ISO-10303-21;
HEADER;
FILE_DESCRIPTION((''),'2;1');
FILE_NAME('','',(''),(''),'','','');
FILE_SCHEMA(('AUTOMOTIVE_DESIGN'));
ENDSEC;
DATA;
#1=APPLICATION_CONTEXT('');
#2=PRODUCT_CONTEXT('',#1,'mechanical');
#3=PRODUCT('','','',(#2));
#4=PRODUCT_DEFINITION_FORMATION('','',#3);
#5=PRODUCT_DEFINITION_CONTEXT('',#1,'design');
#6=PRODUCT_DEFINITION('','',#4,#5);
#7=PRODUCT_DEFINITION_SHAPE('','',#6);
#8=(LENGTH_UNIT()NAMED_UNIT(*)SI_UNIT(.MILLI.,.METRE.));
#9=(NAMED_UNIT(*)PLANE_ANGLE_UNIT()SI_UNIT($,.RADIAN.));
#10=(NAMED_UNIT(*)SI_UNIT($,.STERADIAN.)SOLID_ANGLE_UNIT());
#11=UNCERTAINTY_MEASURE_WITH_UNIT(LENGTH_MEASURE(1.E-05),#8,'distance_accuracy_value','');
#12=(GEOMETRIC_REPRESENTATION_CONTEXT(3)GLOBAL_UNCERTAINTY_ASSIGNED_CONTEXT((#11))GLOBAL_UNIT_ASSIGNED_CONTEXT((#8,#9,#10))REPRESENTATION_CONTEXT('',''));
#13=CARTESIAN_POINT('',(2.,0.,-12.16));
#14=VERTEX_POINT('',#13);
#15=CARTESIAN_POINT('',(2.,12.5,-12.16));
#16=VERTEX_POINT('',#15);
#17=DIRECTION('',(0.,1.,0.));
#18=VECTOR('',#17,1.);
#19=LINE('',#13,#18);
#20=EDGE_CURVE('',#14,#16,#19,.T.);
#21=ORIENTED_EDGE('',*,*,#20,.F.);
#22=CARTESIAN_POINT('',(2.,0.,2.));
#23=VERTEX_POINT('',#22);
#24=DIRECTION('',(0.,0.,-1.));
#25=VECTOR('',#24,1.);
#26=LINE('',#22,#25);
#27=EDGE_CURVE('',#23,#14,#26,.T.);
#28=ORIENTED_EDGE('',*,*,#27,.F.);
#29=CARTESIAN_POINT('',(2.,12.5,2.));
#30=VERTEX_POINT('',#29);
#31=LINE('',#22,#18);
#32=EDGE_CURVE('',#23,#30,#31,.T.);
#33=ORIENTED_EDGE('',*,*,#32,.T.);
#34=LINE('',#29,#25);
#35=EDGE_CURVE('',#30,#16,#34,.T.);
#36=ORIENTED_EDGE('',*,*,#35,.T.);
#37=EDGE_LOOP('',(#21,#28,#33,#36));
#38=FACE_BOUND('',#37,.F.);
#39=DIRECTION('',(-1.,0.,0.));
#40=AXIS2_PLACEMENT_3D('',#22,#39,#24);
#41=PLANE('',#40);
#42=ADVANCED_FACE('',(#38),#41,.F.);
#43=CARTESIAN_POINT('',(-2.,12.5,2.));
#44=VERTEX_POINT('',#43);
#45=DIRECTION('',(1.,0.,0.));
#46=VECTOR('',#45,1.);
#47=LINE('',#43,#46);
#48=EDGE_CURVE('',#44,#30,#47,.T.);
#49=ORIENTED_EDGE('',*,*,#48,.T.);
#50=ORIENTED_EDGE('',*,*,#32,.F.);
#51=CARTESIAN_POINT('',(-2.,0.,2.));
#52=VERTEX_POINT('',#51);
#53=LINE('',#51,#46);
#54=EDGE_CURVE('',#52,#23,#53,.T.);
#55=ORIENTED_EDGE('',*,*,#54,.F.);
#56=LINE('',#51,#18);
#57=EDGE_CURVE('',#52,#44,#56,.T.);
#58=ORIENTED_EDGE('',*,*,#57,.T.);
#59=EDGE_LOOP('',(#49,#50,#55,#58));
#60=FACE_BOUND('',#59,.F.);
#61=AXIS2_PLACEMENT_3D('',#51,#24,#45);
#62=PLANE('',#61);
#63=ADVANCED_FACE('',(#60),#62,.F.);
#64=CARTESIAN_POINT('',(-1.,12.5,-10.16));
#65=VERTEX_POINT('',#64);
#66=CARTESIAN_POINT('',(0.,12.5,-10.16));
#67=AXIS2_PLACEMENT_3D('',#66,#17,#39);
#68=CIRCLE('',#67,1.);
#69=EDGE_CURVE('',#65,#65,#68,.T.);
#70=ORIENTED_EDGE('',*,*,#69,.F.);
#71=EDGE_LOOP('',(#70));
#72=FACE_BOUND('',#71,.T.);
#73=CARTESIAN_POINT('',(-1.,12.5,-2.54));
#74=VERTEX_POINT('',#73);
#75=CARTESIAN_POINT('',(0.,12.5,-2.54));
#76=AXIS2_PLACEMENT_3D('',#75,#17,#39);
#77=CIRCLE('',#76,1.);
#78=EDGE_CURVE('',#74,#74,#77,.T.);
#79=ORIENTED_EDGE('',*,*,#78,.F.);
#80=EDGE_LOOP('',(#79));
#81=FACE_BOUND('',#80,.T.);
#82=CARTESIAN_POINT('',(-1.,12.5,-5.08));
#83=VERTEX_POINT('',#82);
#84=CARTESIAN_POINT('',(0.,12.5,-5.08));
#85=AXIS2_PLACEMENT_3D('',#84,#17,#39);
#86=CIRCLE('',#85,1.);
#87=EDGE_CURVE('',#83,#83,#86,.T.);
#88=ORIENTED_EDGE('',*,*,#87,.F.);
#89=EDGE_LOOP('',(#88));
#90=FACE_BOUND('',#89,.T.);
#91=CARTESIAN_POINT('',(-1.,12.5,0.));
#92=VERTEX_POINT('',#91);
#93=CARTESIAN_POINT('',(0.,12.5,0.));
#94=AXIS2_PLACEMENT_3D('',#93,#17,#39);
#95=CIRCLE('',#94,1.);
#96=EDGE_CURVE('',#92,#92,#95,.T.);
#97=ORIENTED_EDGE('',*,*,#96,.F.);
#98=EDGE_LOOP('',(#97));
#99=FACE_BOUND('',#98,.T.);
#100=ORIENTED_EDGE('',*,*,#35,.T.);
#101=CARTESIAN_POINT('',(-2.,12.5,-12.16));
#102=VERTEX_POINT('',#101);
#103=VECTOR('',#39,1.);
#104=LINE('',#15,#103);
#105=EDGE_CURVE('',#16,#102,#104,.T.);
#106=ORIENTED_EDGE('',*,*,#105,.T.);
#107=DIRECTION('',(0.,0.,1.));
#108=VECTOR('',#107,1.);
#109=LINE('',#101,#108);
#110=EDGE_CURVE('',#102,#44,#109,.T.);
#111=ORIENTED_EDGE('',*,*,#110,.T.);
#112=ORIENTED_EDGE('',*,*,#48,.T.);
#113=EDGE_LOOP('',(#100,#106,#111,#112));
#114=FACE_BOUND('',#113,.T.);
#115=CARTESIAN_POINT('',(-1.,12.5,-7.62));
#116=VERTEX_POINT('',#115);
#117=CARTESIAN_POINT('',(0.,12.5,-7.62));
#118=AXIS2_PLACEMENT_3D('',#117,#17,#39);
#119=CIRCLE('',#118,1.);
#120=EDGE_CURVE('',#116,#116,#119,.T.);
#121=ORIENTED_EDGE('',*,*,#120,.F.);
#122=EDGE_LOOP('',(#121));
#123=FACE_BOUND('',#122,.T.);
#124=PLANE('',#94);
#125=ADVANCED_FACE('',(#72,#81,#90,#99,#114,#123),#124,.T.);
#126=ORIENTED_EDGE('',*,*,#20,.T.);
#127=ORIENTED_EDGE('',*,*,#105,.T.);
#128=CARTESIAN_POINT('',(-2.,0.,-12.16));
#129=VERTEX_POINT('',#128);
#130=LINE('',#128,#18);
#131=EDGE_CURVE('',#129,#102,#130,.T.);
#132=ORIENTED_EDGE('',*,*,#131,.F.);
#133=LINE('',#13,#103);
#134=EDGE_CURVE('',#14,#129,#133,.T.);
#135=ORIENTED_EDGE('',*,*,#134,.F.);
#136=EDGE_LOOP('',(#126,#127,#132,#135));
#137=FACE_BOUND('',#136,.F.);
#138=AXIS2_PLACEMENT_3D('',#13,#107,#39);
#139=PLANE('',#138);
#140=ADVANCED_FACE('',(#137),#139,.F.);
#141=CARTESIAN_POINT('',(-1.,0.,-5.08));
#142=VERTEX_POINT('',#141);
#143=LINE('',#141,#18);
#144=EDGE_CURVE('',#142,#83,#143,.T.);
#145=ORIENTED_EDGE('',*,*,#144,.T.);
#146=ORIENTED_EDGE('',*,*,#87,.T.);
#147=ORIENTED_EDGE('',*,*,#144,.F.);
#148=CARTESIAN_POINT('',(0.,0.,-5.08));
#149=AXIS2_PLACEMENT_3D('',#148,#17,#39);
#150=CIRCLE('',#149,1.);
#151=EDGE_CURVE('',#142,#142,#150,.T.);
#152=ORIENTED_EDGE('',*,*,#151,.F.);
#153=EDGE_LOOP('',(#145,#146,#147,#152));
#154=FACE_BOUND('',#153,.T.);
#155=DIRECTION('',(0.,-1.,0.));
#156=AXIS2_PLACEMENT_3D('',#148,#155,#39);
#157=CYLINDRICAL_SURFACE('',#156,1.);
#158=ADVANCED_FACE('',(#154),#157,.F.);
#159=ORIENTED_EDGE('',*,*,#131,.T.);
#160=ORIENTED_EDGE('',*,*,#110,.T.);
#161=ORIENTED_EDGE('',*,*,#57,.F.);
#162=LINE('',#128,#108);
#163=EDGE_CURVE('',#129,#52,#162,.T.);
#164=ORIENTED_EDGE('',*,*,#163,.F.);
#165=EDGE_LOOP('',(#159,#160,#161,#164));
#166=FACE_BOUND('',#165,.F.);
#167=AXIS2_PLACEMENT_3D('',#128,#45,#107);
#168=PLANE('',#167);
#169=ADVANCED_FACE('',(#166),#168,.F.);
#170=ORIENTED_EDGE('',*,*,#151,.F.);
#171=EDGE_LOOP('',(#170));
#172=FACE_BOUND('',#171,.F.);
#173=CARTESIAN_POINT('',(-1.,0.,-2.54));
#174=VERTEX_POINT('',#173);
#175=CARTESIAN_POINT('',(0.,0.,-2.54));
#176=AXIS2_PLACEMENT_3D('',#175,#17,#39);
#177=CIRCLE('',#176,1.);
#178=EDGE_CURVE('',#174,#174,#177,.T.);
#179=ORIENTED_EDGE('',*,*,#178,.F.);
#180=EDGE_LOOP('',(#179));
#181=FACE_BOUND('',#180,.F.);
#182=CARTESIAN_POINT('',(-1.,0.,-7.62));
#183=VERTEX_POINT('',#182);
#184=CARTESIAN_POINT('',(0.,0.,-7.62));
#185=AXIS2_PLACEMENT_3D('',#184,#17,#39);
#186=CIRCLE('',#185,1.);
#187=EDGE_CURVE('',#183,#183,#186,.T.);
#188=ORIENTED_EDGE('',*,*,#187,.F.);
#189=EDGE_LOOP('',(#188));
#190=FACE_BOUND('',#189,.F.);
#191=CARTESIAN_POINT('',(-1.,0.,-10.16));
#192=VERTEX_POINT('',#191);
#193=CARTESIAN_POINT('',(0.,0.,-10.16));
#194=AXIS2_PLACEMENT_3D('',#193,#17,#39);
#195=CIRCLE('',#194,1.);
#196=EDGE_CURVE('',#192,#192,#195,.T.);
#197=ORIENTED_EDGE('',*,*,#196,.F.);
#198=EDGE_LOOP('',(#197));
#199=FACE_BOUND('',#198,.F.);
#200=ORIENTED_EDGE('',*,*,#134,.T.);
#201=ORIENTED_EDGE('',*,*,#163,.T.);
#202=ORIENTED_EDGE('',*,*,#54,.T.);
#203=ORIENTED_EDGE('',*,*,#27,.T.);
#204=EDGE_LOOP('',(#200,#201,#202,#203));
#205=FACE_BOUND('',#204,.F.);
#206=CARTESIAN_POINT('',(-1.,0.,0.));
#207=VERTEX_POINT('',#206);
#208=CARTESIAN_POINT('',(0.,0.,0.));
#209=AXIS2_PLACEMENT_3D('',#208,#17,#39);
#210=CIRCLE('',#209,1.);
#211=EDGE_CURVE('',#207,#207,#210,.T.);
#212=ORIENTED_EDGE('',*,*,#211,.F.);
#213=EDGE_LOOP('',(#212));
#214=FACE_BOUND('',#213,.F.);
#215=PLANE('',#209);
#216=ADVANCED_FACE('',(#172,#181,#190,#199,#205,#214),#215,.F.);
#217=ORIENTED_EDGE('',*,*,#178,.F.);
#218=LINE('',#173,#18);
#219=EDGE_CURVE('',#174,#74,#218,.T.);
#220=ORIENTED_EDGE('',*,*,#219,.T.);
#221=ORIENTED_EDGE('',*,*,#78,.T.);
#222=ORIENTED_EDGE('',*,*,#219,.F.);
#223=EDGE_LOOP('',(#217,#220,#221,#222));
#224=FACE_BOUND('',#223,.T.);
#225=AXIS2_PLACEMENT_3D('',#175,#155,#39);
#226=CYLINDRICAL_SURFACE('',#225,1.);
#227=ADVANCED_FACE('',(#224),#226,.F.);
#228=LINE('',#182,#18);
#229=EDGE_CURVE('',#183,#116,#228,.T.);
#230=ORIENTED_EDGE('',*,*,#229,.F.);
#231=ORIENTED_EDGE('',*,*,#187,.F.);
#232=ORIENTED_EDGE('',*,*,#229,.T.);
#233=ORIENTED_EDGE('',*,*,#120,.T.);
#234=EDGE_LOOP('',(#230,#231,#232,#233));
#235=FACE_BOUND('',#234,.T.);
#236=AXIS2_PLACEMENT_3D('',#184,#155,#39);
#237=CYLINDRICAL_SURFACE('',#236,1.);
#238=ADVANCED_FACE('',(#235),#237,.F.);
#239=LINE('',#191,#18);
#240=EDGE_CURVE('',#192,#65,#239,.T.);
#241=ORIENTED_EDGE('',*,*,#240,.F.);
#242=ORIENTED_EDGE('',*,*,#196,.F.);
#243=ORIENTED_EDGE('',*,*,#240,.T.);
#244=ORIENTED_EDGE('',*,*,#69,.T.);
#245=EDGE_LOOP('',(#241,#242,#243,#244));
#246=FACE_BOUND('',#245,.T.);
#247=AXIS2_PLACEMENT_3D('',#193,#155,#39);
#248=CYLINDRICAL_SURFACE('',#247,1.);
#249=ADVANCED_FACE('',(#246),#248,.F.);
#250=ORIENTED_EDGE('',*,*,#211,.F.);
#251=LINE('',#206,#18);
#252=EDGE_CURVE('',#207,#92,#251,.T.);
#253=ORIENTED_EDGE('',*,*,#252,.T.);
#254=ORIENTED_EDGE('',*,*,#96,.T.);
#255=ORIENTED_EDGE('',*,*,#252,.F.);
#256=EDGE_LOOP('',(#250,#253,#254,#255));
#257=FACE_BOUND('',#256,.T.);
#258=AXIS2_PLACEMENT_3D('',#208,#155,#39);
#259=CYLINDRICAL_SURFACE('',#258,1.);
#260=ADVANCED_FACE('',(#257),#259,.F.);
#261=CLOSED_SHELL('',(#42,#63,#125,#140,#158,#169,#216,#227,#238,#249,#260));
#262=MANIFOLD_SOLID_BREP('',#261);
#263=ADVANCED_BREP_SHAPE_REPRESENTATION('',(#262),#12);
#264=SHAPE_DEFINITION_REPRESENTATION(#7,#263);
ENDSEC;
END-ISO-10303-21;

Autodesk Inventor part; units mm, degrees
ref_plane "YZ Plane" through (0, 0, 0) normal (1, 0, 0) x (0, 1, 0)
ref_plane "XZ Plane" through (0, 0, 0) normal (0, 1, 0) x (-1, 0, 0)
ref_plane "XY Plane" through (0, 0, 0) normal (0, 0, 1) x (1, 0, 0)
sketch "Sketch1" plane through (0, 0, 0) normal (0, 1, 0) x (-1, 0, 0)
  circle A0 centre (0, 0) radius 1
  line L0 (2, 2) -> (-2, 2)
  line L1 (-2, 2) -> (-2, -12.16)
  line L2 (-2, -12.16) -> (2, -12.16)
  line L3 (2, -12.16) -> (2, 2)
  circle A1 centre (0, -2.54) radius 1
  circle A2 centre (0, -5.08) radius 1
  circle A3 centre (0, -7.62) radius 1
  circle A4 centre (0, -10.16) radius 1
  dimension "d0" = 2
  dimension "d3" = 2.54
  dimension "d8" = 1
  dimension "d9" = 1
  dimension "d10" = 1
  dimension "d11" = 1
extrude "Extrusion1" add sketch "Sketch1" along normal blind 12.5
equation "\"d9\" = d8"
equation "\"d10\" = d8"
equation "\"d11\" = d8"
properties part number "Encoder Header Spacer 2"
